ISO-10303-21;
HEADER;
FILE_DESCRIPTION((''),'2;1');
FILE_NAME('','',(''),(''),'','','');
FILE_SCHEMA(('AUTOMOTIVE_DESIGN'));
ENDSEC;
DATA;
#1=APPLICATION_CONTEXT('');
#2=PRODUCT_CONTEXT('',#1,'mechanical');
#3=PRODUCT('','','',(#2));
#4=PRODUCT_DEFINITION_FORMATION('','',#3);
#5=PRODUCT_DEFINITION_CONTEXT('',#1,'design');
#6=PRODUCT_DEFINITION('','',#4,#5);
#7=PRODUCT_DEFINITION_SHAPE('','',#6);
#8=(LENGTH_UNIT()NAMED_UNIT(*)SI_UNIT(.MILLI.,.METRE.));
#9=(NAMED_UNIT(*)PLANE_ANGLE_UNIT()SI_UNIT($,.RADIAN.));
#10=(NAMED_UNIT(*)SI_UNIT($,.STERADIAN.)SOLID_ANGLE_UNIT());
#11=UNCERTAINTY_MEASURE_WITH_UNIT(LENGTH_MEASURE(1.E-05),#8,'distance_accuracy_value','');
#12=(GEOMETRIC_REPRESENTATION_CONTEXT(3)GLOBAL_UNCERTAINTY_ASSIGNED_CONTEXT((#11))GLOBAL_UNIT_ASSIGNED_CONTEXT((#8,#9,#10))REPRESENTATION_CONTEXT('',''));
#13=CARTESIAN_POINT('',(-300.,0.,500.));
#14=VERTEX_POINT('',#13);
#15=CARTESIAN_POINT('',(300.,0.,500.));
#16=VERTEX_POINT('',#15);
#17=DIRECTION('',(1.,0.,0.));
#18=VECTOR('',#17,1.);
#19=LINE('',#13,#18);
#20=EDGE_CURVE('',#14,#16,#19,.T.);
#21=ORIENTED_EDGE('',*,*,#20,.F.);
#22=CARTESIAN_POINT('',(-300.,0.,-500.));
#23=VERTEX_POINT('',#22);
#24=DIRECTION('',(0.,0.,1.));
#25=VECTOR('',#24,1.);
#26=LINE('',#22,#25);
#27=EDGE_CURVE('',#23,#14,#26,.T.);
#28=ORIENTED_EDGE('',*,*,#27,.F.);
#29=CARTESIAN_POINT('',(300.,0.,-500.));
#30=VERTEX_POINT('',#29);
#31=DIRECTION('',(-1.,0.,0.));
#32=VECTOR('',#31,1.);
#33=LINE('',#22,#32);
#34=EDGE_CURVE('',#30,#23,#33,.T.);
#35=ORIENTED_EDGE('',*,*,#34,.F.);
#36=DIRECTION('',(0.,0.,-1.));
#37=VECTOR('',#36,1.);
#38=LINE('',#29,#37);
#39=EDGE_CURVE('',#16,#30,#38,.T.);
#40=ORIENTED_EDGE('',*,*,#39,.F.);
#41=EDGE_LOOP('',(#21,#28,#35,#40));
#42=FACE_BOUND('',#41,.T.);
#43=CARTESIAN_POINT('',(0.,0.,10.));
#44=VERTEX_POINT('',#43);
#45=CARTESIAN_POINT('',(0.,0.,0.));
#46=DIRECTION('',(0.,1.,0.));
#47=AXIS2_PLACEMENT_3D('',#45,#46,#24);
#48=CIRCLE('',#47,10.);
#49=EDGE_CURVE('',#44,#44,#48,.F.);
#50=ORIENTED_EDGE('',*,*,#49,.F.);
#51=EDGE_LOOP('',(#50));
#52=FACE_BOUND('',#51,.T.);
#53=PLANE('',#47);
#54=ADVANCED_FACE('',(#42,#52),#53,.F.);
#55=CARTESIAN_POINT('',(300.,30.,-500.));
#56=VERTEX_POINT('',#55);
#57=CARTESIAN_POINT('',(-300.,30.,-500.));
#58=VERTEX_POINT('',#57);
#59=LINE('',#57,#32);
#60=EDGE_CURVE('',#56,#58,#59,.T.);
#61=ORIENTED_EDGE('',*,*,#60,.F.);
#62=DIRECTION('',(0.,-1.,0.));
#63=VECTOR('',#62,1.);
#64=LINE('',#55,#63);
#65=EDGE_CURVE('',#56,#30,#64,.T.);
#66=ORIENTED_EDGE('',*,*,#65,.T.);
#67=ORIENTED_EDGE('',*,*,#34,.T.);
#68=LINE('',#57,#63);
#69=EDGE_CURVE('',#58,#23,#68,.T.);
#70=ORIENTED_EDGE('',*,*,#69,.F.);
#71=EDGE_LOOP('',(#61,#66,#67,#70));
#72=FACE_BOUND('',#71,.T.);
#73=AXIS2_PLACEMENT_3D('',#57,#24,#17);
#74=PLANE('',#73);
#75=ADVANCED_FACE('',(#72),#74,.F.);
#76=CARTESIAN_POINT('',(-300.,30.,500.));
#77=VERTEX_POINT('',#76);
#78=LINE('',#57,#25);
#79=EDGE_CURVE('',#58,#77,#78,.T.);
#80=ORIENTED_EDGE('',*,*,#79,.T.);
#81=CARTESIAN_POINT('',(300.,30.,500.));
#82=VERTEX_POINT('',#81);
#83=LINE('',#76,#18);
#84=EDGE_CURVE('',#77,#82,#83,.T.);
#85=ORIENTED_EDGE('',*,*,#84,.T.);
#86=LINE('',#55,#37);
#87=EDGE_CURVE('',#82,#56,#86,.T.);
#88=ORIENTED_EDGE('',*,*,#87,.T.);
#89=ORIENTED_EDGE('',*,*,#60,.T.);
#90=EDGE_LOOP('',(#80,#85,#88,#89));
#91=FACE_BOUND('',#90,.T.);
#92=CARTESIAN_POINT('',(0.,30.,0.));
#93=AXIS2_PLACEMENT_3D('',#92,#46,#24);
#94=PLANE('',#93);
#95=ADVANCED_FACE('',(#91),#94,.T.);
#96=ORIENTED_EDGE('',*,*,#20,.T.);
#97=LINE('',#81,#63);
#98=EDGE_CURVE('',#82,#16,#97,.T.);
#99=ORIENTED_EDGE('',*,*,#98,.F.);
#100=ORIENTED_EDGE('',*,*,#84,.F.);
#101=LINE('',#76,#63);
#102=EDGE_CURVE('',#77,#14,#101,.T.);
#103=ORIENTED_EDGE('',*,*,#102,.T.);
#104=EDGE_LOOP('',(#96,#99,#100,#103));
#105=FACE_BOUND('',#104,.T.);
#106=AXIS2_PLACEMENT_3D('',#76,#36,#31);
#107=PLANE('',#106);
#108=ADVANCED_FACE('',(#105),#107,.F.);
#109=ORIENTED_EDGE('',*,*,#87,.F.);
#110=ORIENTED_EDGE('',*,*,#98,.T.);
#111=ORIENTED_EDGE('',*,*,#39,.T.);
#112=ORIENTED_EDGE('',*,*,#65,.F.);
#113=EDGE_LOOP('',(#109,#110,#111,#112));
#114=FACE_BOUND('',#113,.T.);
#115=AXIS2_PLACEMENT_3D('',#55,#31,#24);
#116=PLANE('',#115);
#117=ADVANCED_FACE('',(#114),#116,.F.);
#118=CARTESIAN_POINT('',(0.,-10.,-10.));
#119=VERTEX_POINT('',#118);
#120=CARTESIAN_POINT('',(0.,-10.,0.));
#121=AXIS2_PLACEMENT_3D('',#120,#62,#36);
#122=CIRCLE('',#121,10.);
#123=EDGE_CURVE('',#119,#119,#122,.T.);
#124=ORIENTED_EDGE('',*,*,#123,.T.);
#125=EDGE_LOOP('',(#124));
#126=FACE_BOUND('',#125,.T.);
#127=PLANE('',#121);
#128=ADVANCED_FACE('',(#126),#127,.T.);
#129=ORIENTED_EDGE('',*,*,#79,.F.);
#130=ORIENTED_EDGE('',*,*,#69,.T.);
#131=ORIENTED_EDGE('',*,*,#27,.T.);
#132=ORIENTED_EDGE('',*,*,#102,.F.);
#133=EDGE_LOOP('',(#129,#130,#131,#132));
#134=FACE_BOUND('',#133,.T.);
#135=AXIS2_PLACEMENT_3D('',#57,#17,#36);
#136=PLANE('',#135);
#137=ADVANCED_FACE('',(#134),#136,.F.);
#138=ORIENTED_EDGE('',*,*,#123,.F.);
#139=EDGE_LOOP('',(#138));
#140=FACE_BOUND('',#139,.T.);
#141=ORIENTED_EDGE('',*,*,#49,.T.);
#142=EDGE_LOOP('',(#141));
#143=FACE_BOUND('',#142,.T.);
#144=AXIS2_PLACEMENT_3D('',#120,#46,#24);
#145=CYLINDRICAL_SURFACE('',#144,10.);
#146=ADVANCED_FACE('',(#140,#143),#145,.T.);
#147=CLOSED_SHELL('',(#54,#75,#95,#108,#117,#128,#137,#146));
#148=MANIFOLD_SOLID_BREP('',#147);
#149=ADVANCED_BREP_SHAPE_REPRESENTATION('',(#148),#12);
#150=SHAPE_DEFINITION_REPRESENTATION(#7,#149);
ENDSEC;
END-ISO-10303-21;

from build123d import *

# Parameters (mm, degrees)
SKETCH8_W            = 600
SKETCH8_H            = 1000
BOSS_EXTRUDE9_DEPTH  = 30
SKETCH11_R           = 10
SKETCH11_R_2         = 5
BOSS_EXTRUDE12_DEPTH = 10
SKETCH12_R           = 10
BOSS_EXTRUDE13_DEPTH = 10


with BuildPart() as part:
    # Sketch8 → Boss-Extrude9 (new body)
    with BuildSketch(Plane(origin=(0, 0, 0), x_dir=(1, 0, 0), z_dir=(0, 1, 0))):
        Rectangle(SKETCH8_W, SKETCH8_H)
    extrude(amount=BOSS_EXTRUDE9_DEPTH)

    # Sketch11 → Boss-Extrude12 (add)
    with BuildSketch(Plane(origin=(0, 0, 0), x_dir=(1, 0, 0), z_dir=(0, 1, 0))):
        Circle(SKETCH11_R)
        Circle(SKETCH11_R_2, mode=Mode.SUBTRACT)
    extrude(amount=BOSS_EXTRUDE12_DEPTH)

    # Sketch12 → Boss-Extrude13 (add)
    with BuildSketch(Plane(origin=(0, 0, 0), x_dir=(-1, 0, 0), z_dir=(0, -1, 0))):
        with Locations(Location((0, 0, 0), (0, 0, 270))):
            Circle(SKETCH12_R)
    extrude(amount=BOSS_EXTRUDE13_DEPTH)


solid = part.part
